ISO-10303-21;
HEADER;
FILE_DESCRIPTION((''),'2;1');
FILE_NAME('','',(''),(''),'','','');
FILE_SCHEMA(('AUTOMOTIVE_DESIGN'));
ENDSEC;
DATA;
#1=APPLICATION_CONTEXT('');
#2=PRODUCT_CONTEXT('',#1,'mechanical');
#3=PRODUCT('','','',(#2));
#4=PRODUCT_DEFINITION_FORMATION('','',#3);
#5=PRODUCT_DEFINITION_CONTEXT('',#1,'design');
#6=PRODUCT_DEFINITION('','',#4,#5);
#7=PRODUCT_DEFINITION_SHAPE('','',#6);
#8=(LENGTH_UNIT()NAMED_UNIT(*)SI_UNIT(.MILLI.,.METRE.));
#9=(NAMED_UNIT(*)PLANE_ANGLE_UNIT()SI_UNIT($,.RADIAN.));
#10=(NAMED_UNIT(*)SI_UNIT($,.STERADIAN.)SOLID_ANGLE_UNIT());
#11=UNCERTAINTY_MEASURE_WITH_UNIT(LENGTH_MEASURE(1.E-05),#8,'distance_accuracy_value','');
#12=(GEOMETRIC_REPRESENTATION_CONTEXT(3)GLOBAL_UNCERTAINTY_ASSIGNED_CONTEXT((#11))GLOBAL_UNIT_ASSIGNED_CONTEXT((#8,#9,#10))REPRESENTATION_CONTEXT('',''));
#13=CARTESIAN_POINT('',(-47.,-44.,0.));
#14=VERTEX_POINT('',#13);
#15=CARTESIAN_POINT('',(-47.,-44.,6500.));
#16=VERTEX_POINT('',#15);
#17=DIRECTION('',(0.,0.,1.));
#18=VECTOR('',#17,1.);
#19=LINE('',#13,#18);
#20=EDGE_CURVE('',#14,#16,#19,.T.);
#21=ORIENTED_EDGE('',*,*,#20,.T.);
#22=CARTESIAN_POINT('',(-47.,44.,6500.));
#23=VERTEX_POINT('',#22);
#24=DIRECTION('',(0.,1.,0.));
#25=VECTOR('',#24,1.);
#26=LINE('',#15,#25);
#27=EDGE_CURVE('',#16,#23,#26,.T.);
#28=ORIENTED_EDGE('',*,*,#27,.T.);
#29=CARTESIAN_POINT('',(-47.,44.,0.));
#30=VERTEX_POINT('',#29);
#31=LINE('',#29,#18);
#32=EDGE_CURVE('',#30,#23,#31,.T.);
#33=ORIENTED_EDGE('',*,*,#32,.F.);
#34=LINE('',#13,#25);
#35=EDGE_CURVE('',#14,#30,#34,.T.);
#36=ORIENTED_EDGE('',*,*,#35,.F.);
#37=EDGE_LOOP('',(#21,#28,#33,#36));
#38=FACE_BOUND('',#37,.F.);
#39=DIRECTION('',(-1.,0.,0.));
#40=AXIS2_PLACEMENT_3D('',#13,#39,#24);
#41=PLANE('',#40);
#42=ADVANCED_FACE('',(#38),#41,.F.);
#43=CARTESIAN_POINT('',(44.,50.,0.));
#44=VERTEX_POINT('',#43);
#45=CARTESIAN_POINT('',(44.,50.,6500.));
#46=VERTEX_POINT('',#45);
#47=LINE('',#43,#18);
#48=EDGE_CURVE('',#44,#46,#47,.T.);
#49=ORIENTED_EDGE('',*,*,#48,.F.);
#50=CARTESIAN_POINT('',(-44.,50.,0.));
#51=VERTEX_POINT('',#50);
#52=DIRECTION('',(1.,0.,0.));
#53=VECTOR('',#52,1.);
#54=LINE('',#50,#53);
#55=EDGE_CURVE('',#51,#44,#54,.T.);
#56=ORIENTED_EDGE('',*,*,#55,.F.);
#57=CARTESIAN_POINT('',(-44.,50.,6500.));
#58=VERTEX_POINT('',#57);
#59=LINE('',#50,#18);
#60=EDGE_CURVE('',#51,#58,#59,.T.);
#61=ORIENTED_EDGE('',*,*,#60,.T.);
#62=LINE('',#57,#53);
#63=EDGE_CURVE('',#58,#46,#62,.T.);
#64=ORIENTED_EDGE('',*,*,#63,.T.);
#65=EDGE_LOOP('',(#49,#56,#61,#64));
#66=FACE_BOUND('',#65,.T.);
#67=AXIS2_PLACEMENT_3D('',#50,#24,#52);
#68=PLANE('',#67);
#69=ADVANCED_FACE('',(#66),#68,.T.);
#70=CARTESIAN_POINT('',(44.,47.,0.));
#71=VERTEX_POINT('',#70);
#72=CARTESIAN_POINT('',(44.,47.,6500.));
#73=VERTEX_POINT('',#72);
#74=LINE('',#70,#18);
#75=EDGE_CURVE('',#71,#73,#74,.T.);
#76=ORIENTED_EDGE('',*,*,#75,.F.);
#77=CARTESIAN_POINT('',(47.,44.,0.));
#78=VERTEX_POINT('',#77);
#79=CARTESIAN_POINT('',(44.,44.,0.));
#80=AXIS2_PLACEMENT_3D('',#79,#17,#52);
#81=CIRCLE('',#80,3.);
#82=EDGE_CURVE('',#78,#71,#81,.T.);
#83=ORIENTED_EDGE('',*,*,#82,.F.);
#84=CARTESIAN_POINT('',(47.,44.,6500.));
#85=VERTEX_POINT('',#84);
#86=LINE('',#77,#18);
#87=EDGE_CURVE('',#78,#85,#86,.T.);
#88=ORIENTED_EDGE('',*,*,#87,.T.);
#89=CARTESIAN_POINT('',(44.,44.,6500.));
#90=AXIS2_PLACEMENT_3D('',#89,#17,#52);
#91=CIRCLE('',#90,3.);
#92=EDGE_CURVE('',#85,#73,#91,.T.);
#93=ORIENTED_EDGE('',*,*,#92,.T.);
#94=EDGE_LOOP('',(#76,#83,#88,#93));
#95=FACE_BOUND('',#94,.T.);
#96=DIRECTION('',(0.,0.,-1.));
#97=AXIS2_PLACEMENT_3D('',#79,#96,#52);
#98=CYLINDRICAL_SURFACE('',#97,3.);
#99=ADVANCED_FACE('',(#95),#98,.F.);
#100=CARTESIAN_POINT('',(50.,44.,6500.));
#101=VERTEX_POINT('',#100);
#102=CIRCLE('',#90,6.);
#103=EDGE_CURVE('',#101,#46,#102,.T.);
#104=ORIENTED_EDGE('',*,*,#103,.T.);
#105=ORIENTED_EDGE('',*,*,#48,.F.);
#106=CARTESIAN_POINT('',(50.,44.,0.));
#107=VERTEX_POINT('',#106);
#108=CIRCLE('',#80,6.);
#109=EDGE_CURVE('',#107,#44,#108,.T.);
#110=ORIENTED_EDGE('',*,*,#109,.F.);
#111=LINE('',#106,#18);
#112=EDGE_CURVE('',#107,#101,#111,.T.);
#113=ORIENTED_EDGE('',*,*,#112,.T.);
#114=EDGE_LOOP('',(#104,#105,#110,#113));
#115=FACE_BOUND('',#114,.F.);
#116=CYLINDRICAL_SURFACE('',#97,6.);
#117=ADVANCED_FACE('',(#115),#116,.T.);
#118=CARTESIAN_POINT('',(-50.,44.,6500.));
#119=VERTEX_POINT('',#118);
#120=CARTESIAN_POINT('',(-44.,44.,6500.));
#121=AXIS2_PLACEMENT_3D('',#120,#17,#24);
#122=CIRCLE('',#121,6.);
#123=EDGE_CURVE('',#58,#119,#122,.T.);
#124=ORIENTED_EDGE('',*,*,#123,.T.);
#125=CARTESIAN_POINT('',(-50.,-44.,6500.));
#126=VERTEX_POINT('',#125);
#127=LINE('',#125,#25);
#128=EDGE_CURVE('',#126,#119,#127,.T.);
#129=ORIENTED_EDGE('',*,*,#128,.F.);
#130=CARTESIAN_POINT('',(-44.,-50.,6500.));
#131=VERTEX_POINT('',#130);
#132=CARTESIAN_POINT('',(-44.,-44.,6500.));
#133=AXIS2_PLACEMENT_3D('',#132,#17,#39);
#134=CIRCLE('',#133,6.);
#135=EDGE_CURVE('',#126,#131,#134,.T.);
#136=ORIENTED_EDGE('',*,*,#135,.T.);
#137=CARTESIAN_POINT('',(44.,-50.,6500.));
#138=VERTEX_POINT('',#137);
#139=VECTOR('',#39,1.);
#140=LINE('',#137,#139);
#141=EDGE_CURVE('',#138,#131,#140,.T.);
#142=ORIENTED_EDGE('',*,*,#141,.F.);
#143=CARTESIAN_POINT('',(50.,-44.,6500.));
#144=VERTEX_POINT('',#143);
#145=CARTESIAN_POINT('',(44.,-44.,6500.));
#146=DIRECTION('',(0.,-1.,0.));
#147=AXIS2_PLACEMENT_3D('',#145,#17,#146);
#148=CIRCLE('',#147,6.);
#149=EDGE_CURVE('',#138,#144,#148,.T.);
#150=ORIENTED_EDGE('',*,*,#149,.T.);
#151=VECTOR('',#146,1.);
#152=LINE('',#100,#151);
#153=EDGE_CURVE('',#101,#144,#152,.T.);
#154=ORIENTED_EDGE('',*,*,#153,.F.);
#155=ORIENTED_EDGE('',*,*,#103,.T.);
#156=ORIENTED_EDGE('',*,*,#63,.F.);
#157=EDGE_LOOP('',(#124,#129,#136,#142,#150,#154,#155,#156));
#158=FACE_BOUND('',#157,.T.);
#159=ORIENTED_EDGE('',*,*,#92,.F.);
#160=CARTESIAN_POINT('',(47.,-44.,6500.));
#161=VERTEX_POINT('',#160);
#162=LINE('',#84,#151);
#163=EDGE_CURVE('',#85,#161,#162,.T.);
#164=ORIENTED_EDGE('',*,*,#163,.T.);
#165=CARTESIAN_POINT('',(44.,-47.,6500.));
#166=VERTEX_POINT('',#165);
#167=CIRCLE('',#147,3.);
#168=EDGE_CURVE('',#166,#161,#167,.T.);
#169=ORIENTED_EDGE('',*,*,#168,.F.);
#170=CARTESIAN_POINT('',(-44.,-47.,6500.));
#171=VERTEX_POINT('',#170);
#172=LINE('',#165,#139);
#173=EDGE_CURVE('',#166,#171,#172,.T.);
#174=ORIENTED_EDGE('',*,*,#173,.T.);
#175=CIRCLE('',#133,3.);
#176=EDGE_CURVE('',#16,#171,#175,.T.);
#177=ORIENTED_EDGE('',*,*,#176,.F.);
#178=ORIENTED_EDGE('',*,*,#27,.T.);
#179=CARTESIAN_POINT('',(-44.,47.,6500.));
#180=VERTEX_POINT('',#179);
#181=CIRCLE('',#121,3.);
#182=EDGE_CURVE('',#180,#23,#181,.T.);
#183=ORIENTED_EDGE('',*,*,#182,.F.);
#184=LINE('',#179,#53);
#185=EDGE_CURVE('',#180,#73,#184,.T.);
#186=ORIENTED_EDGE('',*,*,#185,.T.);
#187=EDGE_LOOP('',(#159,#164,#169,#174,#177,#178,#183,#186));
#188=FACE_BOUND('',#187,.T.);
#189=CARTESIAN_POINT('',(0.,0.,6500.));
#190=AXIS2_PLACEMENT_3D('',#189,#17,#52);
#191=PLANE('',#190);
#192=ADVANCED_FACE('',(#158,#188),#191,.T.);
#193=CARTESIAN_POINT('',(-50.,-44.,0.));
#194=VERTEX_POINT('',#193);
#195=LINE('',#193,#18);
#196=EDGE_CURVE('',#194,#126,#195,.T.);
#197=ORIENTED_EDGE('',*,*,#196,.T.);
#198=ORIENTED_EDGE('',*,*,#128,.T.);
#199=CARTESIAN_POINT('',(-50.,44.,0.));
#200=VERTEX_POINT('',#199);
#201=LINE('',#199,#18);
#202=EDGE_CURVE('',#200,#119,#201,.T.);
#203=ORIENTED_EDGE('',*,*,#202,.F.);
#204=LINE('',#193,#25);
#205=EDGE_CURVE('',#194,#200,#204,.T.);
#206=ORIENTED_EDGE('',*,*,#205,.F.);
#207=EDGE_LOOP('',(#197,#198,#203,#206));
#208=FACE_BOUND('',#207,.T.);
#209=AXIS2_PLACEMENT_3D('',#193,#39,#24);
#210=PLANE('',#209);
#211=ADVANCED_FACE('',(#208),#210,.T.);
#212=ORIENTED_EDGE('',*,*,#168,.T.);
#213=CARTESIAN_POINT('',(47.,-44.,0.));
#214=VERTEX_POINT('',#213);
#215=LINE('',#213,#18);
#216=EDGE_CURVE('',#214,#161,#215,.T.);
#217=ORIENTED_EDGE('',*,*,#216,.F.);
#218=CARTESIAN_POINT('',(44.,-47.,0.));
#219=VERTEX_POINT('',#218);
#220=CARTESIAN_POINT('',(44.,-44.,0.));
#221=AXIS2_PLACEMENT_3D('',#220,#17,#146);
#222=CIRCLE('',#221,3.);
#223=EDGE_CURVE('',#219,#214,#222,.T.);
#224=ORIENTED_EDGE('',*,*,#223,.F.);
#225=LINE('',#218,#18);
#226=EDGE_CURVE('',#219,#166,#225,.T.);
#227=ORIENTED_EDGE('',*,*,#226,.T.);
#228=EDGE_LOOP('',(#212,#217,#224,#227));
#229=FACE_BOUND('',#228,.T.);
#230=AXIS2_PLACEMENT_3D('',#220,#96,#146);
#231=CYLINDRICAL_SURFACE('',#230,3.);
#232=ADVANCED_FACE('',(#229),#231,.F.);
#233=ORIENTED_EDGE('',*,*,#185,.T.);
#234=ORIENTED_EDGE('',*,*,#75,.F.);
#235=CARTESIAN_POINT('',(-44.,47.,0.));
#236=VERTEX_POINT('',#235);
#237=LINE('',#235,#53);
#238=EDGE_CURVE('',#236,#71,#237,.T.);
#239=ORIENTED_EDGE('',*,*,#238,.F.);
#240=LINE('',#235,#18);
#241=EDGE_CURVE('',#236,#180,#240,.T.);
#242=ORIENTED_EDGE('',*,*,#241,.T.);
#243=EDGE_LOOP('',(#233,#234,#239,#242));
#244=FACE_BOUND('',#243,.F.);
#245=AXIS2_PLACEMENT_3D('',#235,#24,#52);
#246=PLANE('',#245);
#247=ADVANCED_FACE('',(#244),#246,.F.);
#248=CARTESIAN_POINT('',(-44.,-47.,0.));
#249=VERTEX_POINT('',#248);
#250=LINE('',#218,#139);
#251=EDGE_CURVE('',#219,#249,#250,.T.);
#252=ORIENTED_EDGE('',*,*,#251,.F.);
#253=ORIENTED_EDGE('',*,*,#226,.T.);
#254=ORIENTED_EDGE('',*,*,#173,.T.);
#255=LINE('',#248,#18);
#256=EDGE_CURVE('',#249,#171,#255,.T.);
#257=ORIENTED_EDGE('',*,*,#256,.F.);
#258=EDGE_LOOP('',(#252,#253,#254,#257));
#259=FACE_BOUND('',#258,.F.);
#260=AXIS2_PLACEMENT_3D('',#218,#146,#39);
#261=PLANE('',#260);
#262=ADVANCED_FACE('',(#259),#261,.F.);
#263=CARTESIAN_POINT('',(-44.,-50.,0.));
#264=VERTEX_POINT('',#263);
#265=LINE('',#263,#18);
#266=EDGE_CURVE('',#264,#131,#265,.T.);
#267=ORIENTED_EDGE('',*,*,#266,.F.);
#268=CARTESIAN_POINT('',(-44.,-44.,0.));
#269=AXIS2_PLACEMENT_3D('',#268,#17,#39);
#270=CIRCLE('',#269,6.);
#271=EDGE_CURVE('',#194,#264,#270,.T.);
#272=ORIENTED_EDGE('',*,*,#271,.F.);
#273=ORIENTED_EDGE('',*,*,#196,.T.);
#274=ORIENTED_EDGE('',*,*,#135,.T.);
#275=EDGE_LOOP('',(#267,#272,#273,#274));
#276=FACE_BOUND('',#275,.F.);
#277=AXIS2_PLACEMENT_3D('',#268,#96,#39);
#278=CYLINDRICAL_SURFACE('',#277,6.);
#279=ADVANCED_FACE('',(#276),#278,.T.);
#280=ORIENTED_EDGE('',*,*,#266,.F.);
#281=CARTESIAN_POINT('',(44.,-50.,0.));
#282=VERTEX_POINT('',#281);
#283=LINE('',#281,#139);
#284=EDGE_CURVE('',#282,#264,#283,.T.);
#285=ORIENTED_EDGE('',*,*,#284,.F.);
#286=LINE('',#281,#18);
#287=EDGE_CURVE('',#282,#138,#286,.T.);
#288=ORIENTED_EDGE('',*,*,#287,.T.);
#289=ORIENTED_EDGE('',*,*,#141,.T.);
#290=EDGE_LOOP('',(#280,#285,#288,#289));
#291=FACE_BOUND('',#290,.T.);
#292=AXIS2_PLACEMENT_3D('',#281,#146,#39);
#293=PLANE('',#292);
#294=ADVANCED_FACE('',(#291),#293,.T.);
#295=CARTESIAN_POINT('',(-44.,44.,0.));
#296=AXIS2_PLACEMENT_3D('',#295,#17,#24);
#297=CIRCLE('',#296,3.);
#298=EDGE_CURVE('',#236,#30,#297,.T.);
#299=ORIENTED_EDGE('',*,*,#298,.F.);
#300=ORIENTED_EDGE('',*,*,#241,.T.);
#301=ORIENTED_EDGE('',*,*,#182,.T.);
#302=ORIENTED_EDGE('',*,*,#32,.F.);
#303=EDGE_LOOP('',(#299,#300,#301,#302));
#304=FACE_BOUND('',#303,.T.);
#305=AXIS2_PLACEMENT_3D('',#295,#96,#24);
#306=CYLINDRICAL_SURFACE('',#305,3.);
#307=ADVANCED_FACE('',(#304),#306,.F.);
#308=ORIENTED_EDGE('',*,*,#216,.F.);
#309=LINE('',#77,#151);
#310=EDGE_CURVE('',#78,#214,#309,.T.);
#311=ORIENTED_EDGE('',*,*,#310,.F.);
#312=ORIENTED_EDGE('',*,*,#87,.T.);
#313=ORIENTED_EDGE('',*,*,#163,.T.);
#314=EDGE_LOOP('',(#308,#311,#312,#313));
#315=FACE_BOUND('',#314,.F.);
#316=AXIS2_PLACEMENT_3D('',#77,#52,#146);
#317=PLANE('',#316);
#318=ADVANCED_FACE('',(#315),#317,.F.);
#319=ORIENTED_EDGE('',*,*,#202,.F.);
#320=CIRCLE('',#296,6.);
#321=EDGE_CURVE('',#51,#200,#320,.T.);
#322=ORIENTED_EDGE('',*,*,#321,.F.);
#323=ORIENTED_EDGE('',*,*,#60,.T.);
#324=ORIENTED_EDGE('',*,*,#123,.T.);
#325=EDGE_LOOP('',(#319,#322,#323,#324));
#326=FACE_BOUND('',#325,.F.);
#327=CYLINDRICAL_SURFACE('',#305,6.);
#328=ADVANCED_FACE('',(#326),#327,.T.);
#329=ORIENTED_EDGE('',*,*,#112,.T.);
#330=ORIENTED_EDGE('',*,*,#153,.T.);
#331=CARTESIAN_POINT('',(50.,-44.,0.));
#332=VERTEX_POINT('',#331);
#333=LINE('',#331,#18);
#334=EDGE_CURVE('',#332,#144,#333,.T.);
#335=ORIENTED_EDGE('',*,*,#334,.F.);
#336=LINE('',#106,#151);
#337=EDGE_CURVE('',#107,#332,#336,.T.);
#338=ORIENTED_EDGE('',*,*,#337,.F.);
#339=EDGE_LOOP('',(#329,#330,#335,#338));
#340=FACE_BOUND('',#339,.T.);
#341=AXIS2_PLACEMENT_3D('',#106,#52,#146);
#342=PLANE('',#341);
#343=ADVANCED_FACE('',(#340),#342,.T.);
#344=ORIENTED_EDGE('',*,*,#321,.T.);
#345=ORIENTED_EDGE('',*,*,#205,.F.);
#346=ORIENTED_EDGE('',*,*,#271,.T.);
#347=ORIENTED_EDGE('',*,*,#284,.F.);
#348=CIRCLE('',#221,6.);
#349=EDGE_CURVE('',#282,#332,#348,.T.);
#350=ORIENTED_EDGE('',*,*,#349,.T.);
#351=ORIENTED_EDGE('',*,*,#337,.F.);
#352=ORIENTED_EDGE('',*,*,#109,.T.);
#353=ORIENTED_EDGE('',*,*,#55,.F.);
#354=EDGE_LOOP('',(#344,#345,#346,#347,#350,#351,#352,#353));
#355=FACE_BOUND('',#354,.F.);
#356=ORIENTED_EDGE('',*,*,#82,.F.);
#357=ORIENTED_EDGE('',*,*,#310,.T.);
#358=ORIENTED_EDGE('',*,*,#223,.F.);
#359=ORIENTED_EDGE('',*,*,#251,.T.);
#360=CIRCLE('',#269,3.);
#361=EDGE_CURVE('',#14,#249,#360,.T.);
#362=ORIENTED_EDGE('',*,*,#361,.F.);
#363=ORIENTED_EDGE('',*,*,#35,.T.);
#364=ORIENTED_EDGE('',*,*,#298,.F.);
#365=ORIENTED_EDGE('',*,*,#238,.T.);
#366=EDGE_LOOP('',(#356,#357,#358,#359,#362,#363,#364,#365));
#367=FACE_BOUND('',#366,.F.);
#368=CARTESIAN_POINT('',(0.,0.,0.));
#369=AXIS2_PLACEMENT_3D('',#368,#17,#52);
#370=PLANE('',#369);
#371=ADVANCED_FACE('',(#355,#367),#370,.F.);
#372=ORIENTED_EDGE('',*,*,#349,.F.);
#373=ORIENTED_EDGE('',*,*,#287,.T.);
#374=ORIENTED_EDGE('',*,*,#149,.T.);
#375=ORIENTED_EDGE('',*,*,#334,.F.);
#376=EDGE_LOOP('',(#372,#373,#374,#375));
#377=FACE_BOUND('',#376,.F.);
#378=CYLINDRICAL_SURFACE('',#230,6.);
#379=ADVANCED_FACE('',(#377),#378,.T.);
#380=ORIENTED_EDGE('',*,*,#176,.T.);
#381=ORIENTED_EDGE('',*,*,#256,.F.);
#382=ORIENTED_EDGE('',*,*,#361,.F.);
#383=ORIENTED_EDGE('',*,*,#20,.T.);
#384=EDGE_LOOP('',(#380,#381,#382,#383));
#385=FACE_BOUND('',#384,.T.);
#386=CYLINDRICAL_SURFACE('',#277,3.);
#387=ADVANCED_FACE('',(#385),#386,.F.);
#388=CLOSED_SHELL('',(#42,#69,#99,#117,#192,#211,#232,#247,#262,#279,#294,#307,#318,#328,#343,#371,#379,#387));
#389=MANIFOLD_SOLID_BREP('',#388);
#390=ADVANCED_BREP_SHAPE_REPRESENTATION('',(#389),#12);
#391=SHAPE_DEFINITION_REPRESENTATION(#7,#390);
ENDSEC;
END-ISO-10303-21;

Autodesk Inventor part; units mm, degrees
ref_plane "YZ Plane" through (0, 0, 0) normal (1, 0, 0) x (0, 1, 0)
ref_plane "Start Plane" through (0, 0, 0) normal (0, 0, 1) x (1, 0, 0)
ref_plane "End Plane" through (0, 0, 6500) normal (0, 0, 1) x (1, 0, 0)
sketch "Sketch" plane through (0, 0, 0) normal (0, 0, 1) x (1, 0, 0)
  line L0 (-50, -44) -> (-50, 44)
  line L1 (-44, 50) -> (44, 50)
  line L2 (50, 44) -> (50, -44)
  line L3 (44, -50) -> (-44, -50)
  arc A0 (-50, -44) -> (-44, -50) centre (-44, -44) ccw
  arc A1 (50, 44) -> (44, 50) centre (44, 44) ccw
  arc A2 (-44, 50) -> (-50, 44) centre (-44, 44) ccw
  arc A3 (44, -50) -> (50, -44) centre (44, -44) ccw
  arc A4 (-44, 47) -> (-47, 44) centre (-44, 44) ccw
  line L4 (-44, 47) -> (44, 47)
  arc A5 (47, 44) -> (44, 47) centre (44, 44) ccw
  line L5 (47, 44) -> (47, -44)
  arc A6 (44, -47) -> (47, -44) centre (44, -44) ccw
  line L6 (44, -47) -> (-44, -47)
  arc A7 (-47, -44) -> (-44, -47) centre (-44, -44) ccw
  line L7 (-47, -44) -> (-47, 44)
  line L8 (0, 71.7397) -> (0, -71.7397) construction
  line L9 (-71.7397, 0) -> (71.7397, 0) construction
  dimension "d7" = 6
  dimension "d9" = 100
  dimension "d11" = 100
  dimension "d12" = 3
  dimension "d15" = 50
  dimension "d16" = 50
extrude "Body" add sketch "Sketch" along normal up to surface (6500 mm away) from surface at 0
sketch "Sketch3" plane through (0, 0, 0) normal (0, 0, 1) x (1, 0, 0)
  line L0 (0, 0) -> (10, 0)
ref_plane "Work Plane3" through (0, 0, 0) normal (0, -1, 0) x (1, 0, 0)
sketch "Sketch4" plane through (0, 0, 0) normal (0, -1, 0) x (1, 0, 0)
  line L0 (-2, 0) -> (12, 0) projected
  line L1 (-2, 6500) -> (12, 6500) projected
  dimension "d18" = 6500
equation "\"d7\" = G_IR"
equation "\"d9\" = G_W"
equation "\"d11\" = G_H"
equation "\"d12\" = G_T"
equation "\"d15\" = 0.5 * d9"
equation "\"d16\" = 0.5 * d11"
equation "\"d3\" = G_L"
equation "\"G_W\" = 100"
equation "\"G_H\" = 100"
equation "\"G_T\" = 3"
equation "\"G_IR\" = 6"
equation "\"G_L\" = d18"
equation "\"G_OFFSET_START\" = 0"
equation "\"G_OFFSET_END\" = 0"
properties part number "ISO 10799-2 - 100x100x3 - 6500" material "Steel, Mild"
